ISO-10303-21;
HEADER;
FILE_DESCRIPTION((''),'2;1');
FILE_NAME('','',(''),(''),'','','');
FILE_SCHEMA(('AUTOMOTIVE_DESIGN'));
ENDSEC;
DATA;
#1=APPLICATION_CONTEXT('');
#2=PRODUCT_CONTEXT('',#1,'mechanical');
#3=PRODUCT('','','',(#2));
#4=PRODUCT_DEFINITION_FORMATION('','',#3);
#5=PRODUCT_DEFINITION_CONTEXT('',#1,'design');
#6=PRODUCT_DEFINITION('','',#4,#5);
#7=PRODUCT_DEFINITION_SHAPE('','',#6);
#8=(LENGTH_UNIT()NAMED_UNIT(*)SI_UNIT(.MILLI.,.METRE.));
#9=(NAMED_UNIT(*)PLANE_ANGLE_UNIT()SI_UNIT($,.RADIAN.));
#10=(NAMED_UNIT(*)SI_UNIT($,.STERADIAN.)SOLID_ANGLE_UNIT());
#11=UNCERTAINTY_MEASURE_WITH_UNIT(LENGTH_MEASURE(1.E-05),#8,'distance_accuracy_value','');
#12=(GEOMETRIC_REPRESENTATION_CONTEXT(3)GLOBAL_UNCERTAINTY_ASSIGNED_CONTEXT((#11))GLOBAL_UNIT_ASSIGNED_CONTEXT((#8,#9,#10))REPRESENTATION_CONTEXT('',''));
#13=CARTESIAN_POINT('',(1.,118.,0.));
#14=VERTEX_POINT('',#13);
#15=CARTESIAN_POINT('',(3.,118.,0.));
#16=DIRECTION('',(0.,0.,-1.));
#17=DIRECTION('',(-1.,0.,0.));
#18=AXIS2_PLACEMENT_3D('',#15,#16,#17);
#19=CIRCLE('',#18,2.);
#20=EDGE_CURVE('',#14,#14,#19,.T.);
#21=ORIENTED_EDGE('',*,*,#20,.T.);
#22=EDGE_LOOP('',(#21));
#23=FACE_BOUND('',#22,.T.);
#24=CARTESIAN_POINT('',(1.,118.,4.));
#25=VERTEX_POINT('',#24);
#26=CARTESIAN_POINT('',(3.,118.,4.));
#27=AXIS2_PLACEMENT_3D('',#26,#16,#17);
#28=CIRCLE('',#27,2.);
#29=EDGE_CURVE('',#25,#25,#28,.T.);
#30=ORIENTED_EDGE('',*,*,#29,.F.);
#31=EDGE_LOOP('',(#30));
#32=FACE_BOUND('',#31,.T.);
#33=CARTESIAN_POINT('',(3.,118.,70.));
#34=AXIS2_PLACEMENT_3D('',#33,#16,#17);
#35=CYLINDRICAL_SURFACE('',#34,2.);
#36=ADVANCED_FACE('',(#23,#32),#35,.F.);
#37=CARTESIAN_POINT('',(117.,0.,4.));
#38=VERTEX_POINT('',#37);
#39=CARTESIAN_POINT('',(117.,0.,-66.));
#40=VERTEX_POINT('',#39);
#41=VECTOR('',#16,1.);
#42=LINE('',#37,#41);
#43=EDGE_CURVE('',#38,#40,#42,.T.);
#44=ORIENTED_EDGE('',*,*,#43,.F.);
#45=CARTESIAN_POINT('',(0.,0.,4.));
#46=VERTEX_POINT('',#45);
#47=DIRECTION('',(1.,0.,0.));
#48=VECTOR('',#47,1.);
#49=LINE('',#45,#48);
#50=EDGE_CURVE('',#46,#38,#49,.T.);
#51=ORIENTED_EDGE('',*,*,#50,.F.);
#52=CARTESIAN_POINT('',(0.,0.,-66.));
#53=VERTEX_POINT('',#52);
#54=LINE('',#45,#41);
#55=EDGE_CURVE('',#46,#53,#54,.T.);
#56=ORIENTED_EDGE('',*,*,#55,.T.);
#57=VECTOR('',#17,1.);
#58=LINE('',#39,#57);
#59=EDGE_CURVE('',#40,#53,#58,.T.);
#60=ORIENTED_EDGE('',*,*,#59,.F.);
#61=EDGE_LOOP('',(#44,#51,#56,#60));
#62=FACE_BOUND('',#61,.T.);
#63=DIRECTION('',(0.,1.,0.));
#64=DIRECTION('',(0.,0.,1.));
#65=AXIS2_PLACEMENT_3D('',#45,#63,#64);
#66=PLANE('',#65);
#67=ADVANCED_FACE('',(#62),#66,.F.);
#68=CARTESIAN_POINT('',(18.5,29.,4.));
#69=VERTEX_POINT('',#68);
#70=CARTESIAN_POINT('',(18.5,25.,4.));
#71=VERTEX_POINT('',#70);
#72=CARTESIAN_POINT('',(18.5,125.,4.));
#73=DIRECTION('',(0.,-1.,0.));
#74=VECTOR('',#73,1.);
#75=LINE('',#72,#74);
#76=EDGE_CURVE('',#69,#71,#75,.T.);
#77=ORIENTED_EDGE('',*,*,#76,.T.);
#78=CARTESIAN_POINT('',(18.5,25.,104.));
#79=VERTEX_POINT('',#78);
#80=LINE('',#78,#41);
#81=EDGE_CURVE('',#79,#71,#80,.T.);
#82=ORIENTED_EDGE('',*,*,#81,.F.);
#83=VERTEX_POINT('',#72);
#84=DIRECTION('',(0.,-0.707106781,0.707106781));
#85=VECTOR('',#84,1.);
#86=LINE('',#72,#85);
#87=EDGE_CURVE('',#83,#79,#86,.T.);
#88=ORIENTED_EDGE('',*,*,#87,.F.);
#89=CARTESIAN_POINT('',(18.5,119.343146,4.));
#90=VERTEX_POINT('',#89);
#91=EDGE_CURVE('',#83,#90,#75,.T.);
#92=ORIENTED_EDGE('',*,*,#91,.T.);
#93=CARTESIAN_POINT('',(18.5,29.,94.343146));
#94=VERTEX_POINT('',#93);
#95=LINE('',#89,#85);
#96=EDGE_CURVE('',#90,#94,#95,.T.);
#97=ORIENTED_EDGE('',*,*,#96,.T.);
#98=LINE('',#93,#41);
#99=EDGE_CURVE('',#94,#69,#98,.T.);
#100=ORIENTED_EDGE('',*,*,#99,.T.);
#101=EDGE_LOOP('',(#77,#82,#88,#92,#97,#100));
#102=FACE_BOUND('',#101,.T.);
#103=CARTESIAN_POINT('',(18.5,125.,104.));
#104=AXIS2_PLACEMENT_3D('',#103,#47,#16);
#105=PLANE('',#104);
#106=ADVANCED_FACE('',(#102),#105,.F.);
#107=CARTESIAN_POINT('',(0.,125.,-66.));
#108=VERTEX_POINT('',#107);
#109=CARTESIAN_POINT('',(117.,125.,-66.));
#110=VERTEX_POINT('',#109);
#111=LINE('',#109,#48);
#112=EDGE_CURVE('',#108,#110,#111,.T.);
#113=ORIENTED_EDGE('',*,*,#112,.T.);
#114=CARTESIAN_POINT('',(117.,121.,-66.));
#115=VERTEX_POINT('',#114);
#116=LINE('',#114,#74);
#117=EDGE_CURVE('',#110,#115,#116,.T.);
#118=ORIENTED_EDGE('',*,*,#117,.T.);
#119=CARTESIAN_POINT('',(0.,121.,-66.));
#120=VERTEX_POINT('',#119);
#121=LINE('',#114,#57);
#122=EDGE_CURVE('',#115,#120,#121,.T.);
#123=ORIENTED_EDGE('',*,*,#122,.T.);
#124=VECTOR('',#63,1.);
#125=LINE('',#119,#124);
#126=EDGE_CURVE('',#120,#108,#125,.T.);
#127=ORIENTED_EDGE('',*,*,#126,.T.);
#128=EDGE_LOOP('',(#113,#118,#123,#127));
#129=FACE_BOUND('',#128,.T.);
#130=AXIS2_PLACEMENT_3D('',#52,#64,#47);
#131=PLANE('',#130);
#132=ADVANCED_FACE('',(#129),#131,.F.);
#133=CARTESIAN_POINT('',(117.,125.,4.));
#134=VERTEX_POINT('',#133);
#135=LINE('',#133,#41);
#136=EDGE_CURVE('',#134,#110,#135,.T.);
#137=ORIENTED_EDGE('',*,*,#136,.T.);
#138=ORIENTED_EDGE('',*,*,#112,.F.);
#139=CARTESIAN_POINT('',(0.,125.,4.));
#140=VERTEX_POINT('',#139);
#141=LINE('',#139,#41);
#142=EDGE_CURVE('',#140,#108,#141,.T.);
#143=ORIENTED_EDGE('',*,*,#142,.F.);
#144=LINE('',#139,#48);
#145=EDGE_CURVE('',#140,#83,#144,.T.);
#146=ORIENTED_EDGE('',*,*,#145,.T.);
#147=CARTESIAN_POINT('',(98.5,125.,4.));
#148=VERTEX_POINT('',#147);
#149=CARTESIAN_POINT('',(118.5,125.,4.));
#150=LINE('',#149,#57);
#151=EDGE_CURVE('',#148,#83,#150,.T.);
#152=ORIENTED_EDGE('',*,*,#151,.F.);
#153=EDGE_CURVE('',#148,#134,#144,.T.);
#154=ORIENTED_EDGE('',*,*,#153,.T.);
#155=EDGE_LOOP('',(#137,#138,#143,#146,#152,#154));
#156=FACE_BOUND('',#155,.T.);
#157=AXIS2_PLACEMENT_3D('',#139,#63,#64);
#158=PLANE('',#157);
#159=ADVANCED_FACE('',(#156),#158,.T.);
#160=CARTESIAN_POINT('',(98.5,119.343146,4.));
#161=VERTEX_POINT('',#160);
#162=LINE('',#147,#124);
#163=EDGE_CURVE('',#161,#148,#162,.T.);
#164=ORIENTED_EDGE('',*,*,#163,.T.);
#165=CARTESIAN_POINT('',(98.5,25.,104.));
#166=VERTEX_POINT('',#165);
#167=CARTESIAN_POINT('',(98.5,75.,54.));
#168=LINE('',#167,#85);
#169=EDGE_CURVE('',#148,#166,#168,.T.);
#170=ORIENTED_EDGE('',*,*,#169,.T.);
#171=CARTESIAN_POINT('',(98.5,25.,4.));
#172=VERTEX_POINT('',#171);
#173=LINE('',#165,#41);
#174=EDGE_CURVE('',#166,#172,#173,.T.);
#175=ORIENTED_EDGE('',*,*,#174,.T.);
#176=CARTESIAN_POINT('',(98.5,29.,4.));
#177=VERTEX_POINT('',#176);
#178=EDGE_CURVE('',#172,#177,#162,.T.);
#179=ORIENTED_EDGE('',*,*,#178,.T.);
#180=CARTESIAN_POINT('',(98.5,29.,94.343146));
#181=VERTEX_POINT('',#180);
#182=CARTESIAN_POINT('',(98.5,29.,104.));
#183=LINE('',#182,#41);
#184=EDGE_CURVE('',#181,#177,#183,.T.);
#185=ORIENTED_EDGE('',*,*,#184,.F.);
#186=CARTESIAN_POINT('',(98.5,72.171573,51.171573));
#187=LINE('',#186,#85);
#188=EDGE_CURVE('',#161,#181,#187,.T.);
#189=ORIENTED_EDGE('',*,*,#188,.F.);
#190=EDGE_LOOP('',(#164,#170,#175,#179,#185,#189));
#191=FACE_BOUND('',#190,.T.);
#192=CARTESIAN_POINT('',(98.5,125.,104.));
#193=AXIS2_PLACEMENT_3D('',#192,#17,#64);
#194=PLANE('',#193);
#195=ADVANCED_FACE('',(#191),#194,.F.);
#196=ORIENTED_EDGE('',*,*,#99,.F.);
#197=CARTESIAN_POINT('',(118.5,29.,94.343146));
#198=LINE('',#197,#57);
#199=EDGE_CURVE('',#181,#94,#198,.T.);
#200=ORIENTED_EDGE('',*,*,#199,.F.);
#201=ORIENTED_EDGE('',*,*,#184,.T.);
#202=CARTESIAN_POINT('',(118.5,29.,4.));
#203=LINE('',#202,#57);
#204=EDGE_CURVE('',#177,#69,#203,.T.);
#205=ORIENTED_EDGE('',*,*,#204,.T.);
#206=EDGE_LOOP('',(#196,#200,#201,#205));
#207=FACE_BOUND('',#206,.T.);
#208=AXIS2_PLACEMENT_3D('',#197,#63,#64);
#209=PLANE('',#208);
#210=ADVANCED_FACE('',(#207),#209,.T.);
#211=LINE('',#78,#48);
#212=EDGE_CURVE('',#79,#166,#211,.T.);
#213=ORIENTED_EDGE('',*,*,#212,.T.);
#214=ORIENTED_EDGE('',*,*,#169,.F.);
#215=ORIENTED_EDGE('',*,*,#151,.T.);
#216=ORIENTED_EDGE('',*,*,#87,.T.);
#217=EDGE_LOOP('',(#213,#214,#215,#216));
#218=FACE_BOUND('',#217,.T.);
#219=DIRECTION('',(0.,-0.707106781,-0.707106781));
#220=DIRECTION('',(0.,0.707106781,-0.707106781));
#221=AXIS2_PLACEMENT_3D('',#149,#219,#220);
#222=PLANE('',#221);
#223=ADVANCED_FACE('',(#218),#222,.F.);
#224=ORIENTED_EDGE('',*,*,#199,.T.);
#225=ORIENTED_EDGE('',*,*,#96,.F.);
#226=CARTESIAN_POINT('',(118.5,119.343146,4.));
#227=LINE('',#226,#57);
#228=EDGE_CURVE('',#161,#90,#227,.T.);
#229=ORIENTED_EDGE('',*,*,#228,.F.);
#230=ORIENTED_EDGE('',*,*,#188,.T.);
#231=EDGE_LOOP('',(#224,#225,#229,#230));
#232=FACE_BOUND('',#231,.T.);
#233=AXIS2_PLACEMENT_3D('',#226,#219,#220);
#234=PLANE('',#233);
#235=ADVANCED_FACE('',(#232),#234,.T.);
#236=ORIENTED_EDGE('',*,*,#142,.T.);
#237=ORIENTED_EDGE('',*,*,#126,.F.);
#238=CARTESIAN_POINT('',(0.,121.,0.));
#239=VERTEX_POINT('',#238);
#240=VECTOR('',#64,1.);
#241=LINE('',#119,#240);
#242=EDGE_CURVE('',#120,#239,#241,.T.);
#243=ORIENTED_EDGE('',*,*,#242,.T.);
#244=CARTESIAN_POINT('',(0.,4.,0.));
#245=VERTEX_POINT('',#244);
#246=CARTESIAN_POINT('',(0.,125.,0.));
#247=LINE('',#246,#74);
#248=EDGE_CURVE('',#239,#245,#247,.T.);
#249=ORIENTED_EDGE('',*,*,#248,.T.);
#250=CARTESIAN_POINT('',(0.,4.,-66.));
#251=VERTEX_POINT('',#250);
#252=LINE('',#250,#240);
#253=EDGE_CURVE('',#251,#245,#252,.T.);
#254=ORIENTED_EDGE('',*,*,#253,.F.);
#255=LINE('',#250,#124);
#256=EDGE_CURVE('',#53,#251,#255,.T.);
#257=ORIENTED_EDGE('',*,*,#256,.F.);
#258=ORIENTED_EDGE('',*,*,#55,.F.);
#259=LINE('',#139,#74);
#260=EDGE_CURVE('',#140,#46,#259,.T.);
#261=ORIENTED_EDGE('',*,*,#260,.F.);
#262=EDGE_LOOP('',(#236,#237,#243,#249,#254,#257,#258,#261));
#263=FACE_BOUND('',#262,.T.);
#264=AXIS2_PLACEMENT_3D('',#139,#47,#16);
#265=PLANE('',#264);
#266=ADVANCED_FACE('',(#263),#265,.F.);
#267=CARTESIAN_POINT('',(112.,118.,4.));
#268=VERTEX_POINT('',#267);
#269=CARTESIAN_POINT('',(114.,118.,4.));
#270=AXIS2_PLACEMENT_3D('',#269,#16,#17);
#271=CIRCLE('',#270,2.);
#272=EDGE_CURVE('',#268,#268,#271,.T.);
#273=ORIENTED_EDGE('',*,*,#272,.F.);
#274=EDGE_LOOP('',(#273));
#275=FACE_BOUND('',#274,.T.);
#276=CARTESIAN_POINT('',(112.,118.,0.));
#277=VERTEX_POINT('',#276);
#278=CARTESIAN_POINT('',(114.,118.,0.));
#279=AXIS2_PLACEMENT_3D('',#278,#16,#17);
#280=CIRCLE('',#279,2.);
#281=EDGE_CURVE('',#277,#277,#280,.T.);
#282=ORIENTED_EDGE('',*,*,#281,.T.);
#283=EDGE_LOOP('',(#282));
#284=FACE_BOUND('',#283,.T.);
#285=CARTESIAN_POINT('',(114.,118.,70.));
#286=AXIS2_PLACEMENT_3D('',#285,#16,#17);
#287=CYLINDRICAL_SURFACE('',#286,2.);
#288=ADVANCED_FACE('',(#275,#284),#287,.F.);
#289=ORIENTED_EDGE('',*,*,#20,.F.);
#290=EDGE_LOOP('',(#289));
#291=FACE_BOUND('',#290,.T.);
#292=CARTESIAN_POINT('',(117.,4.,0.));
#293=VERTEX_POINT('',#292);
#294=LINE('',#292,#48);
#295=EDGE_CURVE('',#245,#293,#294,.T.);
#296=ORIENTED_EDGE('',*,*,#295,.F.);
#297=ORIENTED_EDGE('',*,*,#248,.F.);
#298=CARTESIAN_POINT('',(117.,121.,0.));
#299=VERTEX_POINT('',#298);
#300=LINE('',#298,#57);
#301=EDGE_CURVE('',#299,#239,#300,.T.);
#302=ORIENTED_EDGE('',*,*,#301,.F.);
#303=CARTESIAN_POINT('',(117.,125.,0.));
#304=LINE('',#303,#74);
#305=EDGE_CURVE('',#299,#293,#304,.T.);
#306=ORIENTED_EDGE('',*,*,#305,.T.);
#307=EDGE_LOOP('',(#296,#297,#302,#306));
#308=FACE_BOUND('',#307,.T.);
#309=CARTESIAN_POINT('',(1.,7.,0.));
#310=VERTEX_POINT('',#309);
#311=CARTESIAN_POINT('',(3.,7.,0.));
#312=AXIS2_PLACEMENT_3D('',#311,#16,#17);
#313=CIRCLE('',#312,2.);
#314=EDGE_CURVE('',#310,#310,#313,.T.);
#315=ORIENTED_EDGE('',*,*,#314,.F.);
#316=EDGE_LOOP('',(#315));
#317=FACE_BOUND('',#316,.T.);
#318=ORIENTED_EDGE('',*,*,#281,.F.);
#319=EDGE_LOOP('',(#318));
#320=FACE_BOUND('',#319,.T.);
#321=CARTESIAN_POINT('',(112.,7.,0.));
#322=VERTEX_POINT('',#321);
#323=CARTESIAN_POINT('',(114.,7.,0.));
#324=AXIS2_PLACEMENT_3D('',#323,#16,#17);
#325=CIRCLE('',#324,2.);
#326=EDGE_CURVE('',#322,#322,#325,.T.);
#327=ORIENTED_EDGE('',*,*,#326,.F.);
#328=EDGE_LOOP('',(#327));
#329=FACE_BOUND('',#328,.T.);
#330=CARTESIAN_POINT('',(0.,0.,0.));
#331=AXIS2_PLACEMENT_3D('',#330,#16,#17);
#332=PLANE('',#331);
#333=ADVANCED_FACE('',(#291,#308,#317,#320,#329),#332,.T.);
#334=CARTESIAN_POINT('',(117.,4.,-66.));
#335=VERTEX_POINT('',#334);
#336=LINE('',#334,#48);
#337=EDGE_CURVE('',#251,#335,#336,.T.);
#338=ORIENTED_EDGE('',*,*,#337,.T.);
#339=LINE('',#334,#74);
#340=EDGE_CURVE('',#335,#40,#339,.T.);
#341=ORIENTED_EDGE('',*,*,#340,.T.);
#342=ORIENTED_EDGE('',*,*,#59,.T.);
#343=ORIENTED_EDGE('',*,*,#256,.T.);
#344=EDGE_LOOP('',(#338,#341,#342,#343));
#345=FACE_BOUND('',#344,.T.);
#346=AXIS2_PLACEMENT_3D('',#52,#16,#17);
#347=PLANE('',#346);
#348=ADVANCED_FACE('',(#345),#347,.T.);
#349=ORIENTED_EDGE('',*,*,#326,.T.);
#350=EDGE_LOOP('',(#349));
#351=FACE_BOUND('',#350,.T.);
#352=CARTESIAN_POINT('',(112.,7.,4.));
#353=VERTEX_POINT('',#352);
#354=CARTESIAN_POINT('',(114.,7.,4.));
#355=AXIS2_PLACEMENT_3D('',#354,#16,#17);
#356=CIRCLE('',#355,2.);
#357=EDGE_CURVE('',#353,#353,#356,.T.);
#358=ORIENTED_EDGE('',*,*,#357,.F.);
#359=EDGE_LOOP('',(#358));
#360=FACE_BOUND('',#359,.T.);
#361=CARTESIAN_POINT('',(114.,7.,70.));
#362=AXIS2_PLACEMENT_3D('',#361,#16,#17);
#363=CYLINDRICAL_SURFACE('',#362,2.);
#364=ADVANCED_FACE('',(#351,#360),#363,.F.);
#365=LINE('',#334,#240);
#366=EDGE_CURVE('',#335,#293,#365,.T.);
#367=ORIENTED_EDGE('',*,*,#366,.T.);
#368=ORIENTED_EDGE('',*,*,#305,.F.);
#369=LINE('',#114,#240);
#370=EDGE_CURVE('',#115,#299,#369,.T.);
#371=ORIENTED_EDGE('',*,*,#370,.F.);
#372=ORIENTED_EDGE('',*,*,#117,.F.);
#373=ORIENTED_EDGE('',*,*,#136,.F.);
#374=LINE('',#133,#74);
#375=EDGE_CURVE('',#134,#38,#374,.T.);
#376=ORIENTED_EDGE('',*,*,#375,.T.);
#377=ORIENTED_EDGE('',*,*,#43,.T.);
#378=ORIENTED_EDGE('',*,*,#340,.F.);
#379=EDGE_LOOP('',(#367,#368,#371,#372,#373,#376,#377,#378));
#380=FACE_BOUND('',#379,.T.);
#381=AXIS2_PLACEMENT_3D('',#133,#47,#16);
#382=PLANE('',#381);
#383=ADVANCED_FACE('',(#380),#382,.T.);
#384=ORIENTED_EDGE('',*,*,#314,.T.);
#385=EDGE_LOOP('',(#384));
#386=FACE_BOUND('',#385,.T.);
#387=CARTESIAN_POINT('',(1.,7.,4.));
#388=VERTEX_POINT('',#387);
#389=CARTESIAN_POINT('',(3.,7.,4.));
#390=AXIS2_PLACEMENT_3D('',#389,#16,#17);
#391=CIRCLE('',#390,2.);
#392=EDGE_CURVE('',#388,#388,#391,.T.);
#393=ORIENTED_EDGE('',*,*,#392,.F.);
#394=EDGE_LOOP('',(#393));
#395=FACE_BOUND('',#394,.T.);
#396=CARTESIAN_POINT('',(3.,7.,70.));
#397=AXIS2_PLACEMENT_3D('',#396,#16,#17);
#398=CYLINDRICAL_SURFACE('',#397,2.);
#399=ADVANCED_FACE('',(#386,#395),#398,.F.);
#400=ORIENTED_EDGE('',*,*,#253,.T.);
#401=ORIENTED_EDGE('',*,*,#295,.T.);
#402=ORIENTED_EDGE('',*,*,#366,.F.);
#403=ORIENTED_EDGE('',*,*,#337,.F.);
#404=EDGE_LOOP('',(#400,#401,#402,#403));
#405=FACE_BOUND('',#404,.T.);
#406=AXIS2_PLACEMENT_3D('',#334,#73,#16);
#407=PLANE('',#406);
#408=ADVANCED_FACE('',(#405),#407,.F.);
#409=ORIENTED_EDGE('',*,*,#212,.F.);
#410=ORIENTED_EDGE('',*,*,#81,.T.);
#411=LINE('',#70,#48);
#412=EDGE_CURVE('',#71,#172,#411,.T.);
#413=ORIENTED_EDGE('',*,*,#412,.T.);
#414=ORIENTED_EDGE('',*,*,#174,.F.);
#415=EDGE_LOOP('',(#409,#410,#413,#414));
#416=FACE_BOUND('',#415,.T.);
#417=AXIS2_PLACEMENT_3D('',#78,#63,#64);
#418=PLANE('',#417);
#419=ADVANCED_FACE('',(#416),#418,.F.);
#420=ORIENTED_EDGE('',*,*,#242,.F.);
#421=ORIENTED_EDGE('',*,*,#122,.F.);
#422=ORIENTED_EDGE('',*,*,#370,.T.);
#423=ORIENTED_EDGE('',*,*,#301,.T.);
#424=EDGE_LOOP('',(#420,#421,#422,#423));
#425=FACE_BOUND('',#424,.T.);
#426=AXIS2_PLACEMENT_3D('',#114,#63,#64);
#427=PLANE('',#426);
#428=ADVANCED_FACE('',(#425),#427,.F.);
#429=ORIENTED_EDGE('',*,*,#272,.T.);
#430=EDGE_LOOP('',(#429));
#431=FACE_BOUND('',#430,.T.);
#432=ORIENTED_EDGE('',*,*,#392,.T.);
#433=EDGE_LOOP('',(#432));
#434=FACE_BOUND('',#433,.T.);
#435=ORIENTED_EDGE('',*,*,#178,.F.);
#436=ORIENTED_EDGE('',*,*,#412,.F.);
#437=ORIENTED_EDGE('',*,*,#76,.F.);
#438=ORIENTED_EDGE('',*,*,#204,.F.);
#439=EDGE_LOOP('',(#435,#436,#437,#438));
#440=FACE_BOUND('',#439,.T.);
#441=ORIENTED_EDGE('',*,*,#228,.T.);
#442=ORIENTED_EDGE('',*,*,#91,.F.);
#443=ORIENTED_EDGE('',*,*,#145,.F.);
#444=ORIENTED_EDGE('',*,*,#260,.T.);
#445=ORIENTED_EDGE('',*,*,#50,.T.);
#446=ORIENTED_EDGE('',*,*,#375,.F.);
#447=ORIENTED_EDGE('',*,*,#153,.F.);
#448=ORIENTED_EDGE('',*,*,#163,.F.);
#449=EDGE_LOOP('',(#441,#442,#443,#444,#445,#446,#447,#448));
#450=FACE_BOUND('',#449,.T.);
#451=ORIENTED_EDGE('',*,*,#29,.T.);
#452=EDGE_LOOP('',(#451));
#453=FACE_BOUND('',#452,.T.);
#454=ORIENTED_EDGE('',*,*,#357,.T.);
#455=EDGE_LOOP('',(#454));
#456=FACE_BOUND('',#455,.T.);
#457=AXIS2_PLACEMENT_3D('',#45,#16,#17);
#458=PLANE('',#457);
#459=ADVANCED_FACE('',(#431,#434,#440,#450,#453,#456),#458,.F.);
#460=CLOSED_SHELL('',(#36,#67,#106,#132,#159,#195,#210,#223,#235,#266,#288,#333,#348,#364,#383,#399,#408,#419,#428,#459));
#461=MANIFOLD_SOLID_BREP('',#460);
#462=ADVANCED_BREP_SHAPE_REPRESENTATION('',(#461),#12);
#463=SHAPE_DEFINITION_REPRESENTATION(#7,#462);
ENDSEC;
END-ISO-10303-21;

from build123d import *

# Parameters (mm, degrees)
SKIZZE1_W                       = 117
SKIZZE1_H                       = 125
AUFSATZ_LINEAR_AUSTRAGEN1_DEPTH = 4
SKIZZE2_W                       = 80
SKIZZE2_H                       = 100
AUFSATZ_LINEAR_AUSTRAGEN2_DEPTH = 100
SCHNITT_LINEAR_AUSTRAGEN1_DEPTH = 100
SCHNITT_LINEAR_AUSTRAGEN2_DEPTH = 100
SKIZZE5_W                       = 117
SKIZZE5_H                       = 4
AUFSATZ_LINEAR_AUSTRAGEN3_DEPTH = 66
SKIZZE6_R                       = 2
SCHNITT_LINEAR_AUSTRAGEN3_DEPTH = 70


with BuildPart() as part:
    # Skizze1 → Aufsatz-Linear austragen1 (new body)
    with BuildSketch(Plane.XY):
        with Locations((58.5, 62.5)):
            Rectangle(SKIZZE1_W, SKIZZE1_H)
    extrude(amount=AUFSATZ_LINEAR_AUSTRAGEN1_DEPTH)

    # Skizze2 → Aufsatz-Linear austragen2 (add)
    with BuildSketch(Plane.XY.offset(4)):
        with Locations((58.5, 75)):
            Rectangle(SKIZZE2_W, SKIZZE2_H)
    extrude(amount=AUFSATZ_LINEAR_AUSTRAGEN2_DEPTH)

    # Skizze3 → Schnitt-Linear austragen1 (cut)
    with BuildSketch(Plane.ZY.offset(-18.5)):
        Polygon((104, 25), (104, 125), (4, 125), align=None)
    extrude(amount=-SCHNITT_LINEAR_AUSTRAGEN1_DEPTH, mode=Mode.SUBTRACT)

    # Skizze4 → Schnitt-Linear austragen2 (cut)
    with BuildSketch(Plane.ZY.offset(-18.5)):
        Polygon((4, 119.343145751), (94.343145751, 29), (4, 29), align=None)
    extrude(amount=-SCHNITT_LINEAR_AUSTRAGEN2_DEPTH, mode=Mode.SUBTRACT)

    # Skizze5 → Aufsatz-Linear austragen3 (add)
    with BuildSketch(Plane(origin=(0, 0, 0), x_dir=(-1, 0, 0), z_dir=(0, 0, -1))):
        with Locations((-58.5, 123)):
            Rectangle(SKIZZE5_W, SKIZZE5_H)
        with Locations((-58.5, 2)):
            Rectangle(SKIZZE5_W, SKIZZE5_H)
    extrude(amount=AUFSATZ_LINEAR_AUSTRAGEN3_DEPTH)

    # Skizze6 → Schnitt-Linear austragen3 (cut)
    with BuildSketch(Plane(origin=(0, 0, 0), x_dir=(-1, 0, 0), z_dir=(0, 0, -1))):
        with Locations((-114, 118)):
            Circle(SKIZZE6_R)
        with Locations((-3, 118)):
            Circle(SKIZZE6_R)
        with Locations((-3, 7)):
            Circle(SKIZZE6_R)
        with Locations((-114, 7)):
            Circle(SKIZZE6_R)
    extrude(amount=-SCHNITT_LINEAR_AUSTRAGEN3_DEPTH, mode=Mode.SUBTRACT)


solid = part.part
